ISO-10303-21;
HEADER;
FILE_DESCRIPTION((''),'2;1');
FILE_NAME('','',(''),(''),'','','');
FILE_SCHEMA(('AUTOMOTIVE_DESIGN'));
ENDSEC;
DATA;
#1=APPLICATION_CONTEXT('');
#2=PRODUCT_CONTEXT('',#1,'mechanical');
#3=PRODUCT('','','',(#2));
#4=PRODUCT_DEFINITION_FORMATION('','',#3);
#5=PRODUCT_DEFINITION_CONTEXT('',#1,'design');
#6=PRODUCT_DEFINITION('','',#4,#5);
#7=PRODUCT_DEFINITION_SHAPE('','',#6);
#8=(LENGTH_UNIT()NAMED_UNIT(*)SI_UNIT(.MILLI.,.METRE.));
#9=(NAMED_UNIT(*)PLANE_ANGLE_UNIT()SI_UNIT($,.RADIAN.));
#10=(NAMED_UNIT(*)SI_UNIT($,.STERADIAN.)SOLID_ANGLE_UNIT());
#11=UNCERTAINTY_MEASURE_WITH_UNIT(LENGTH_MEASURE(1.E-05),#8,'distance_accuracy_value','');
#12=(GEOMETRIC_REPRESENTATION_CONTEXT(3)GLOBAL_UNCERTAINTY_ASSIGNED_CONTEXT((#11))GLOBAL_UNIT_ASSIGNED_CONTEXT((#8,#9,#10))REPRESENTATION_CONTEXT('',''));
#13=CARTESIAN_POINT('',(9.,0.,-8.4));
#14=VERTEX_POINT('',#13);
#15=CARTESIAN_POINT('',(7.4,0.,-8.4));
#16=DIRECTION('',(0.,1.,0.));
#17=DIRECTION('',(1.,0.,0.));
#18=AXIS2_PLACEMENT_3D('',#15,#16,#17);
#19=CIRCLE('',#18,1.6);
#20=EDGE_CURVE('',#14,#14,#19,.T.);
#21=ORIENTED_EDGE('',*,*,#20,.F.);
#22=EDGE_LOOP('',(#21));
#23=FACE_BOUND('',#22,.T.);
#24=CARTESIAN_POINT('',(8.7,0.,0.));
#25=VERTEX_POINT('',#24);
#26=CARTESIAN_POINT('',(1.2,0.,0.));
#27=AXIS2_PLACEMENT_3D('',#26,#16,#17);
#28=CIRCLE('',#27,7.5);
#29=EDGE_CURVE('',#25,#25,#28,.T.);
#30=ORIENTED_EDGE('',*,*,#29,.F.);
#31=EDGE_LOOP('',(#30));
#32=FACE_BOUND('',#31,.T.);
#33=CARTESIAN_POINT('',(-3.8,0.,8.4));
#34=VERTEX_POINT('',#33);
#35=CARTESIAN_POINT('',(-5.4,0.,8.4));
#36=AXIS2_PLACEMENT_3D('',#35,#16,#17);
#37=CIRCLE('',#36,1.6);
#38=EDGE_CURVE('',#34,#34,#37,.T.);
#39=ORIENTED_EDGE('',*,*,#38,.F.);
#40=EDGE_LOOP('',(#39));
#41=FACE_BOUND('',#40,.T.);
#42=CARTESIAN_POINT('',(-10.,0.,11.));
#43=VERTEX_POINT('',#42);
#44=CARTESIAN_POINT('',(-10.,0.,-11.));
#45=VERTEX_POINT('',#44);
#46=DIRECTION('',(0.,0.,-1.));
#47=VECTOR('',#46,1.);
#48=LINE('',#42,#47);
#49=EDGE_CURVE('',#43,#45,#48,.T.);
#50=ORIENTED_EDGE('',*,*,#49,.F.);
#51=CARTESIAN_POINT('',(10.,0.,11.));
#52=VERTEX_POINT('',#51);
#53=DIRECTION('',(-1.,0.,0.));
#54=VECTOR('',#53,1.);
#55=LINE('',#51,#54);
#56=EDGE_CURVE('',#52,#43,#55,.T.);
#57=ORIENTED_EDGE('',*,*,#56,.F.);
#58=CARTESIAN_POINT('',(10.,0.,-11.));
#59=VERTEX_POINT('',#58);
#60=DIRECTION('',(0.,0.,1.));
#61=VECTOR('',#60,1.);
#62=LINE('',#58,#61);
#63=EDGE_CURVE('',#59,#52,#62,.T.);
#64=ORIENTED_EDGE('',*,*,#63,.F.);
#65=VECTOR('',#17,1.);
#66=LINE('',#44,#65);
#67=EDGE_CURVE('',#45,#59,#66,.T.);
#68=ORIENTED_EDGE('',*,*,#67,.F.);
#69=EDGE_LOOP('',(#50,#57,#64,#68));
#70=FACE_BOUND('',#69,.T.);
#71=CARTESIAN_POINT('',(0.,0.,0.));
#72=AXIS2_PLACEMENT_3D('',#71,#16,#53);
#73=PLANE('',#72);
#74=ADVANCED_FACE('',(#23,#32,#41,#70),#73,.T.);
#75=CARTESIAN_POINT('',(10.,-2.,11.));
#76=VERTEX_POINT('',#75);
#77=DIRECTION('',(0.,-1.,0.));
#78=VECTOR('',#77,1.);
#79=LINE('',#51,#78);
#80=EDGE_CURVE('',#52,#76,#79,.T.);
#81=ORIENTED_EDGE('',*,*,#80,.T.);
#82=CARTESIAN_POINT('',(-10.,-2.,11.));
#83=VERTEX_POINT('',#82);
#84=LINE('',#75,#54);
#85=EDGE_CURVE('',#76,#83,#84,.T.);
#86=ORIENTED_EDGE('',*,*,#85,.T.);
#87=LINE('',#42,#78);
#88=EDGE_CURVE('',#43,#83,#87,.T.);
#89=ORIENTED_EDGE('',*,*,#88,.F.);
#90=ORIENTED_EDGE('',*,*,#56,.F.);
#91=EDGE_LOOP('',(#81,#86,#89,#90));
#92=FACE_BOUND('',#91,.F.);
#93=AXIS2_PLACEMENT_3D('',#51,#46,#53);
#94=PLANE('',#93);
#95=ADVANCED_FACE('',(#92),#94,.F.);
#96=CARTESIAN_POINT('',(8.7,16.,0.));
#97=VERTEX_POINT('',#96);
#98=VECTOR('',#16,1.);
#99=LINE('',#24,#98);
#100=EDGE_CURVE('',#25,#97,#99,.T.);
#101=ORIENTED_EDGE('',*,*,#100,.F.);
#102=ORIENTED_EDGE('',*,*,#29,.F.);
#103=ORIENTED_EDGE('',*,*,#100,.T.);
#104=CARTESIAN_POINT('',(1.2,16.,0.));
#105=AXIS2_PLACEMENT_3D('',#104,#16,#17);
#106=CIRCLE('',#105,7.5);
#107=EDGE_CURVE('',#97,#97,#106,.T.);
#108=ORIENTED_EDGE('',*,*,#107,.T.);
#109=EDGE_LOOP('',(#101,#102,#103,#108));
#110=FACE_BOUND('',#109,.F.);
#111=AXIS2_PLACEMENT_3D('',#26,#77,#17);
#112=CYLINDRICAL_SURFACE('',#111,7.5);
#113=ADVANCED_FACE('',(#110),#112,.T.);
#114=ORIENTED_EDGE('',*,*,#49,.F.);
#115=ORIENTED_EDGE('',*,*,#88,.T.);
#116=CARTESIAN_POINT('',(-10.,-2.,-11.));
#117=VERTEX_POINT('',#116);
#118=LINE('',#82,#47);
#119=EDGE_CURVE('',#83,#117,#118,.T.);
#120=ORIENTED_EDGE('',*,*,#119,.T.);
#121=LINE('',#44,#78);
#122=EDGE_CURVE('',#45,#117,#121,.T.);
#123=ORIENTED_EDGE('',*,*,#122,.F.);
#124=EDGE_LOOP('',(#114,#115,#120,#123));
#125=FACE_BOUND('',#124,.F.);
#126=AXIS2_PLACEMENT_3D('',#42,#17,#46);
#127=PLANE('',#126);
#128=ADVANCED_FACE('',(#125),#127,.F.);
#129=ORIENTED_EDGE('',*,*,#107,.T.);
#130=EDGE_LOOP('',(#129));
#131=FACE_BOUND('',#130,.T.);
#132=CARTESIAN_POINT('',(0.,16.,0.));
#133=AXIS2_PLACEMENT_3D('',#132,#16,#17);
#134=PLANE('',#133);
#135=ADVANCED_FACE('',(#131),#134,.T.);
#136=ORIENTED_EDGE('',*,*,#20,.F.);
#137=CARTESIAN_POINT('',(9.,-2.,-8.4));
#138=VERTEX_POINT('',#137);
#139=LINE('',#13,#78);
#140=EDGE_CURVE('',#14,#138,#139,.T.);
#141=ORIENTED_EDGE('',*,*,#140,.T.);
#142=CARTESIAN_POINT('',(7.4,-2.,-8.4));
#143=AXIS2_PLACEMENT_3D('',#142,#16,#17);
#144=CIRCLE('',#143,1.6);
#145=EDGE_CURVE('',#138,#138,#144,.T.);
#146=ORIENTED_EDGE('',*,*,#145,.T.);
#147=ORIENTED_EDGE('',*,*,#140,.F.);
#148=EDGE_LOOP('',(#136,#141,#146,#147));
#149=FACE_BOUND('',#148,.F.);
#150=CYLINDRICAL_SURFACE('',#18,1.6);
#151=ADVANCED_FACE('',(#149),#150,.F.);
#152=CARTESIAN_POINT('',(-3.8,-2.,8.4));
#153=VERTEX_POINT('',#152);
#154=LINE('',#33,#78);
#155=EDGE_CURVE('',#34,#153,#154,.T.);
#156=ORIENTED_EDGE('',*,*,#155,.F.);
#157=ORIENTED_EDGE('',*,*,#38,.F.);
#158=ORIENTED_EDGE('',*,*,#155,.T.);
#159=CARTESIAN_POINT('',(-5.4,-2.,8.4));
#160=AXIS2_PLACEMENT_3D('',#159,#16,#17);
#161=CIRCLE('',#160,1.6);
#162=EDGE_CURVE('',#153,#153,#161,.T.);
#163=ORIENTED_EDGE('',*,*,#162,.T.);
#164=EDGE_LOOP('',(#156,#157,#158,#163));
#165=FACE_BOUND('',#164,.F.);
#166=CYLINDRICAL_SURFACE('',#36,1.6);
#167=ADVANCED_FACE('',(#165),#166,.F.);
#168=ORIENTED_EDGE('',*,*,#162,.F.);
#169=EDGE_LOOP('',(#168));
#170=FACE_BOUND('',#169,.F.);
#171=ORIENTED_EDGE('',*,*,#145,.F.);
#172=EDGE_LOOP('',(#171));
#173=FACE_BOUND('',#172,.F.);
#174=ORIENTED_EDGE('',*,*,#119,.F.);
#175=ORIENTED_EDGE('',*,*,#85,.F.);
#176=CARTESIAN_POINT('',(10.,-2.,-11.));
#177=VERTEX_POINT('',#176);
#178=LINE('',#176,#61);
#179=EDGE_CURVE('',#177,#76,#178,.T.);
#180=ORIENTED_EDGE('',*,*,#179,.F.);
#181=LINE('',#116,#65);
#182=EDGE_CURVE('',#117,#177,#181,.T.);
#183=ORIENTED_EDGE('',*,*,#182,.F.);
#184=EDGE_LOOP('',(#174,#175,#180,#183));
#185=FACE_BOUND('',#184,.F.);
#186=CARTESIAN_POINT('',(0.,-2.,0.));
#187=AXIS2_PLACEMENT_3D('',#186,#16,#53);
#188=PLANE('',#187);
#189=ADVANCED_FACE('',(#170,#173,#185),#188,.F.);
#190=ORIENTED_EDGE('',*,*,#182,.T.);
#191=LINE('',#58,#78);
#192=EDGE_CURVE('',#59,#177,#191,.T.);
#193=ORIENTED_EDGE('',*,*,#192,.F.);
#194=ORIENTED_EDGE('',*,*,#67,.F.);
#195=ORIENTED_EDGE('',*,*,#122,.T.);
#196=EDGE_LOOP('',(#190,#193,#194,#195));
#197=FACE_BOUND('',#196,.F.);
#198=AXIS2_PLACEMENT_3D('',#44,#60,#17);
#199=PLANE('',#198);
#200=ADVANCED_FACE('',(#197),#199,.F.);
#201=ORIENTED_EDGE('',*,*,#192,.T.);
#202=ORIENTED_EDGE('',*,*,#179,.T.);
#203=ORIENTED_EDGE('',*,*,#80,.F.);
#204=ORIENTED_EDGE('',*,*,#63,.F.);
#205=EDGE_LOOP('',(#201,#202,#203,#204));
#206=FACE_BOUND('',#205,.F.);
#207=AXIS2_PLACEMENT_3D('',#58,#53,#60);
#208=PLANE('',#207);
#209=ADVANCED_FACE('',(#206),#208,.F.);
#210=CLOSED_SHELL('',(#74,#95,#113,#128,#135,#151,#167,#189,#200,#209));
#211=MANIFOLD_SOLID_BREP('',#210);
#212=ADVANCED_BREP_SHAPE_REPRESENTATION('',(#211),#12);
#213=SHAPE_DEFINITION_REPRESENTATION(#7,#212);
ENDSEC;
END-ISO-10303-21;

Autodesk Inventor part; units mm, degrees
ref_plane "YZ Plane" through (0, 0, 0) normal (1, 0, 0) x (0, 1, 0)
ref_plane "XZ Plane" through (0, 0, 0) normal (0, 1, 0) x (-1, 0, 0)
ref_plane "XY Plane" through (0, 0, 0) normal (0, 0, 1) x (1, 0, 0)
sketch "Sketch1" plane through (0, 0, 0) normal (0, 1, 0) x (-1, 0, 0)
  line L0 (-10, 11) -> (10, 11)
  line L1 (10, 11) -> (10, -11)
  line L2 (10, -11) -> (-10, -11)
  line L3 (-10, -11) -> (-10, 11)
  line L4 (-10, 11) -> (10, -11) construction
  line L5 (10, 11) -> (-10, -11) construction
  point P0 (0, 0)
  dimension "d0" = 20
  dimension "d1" = 22
extrude "Extrusion1" add sketch "Sketch1" against normal blind 2
sketch "Sketch2" plane through (0, 0, 0) normal (0, 1, 0) x (1, 0, 0)
  circle A0 centre (1.2, 0) radius 7.5
  line L0 (-10, 11) -> (10, 11) projected
  line L1 (10, -11) -> (10, 11)
  dimension "d4" = 15
  dimension "d10" = 8.8
extrude "Extrusion2" add sketch "Sketch2" along normal blind 16
sketch "Sketch3" plane through (0, 0, 0) normal (0, 1, 0) x (1, 0, 0)
  line L0 (-10, -8.4) -> (-10, -11)
  circle A0 centre (-5.4, -8.4) radius 1.6
  circle A1 centre (7.4, 8.4) radius 1.6
  point P0 (0, 0)
  point P1 (10, 11)
  dimension "d9" = 3.2
  dimension "d13" = 3.2
extrude "Extrusion3" cut sketch "Sketch3" against normal up to surface (2 mm away)
properties part number "SONIC"
